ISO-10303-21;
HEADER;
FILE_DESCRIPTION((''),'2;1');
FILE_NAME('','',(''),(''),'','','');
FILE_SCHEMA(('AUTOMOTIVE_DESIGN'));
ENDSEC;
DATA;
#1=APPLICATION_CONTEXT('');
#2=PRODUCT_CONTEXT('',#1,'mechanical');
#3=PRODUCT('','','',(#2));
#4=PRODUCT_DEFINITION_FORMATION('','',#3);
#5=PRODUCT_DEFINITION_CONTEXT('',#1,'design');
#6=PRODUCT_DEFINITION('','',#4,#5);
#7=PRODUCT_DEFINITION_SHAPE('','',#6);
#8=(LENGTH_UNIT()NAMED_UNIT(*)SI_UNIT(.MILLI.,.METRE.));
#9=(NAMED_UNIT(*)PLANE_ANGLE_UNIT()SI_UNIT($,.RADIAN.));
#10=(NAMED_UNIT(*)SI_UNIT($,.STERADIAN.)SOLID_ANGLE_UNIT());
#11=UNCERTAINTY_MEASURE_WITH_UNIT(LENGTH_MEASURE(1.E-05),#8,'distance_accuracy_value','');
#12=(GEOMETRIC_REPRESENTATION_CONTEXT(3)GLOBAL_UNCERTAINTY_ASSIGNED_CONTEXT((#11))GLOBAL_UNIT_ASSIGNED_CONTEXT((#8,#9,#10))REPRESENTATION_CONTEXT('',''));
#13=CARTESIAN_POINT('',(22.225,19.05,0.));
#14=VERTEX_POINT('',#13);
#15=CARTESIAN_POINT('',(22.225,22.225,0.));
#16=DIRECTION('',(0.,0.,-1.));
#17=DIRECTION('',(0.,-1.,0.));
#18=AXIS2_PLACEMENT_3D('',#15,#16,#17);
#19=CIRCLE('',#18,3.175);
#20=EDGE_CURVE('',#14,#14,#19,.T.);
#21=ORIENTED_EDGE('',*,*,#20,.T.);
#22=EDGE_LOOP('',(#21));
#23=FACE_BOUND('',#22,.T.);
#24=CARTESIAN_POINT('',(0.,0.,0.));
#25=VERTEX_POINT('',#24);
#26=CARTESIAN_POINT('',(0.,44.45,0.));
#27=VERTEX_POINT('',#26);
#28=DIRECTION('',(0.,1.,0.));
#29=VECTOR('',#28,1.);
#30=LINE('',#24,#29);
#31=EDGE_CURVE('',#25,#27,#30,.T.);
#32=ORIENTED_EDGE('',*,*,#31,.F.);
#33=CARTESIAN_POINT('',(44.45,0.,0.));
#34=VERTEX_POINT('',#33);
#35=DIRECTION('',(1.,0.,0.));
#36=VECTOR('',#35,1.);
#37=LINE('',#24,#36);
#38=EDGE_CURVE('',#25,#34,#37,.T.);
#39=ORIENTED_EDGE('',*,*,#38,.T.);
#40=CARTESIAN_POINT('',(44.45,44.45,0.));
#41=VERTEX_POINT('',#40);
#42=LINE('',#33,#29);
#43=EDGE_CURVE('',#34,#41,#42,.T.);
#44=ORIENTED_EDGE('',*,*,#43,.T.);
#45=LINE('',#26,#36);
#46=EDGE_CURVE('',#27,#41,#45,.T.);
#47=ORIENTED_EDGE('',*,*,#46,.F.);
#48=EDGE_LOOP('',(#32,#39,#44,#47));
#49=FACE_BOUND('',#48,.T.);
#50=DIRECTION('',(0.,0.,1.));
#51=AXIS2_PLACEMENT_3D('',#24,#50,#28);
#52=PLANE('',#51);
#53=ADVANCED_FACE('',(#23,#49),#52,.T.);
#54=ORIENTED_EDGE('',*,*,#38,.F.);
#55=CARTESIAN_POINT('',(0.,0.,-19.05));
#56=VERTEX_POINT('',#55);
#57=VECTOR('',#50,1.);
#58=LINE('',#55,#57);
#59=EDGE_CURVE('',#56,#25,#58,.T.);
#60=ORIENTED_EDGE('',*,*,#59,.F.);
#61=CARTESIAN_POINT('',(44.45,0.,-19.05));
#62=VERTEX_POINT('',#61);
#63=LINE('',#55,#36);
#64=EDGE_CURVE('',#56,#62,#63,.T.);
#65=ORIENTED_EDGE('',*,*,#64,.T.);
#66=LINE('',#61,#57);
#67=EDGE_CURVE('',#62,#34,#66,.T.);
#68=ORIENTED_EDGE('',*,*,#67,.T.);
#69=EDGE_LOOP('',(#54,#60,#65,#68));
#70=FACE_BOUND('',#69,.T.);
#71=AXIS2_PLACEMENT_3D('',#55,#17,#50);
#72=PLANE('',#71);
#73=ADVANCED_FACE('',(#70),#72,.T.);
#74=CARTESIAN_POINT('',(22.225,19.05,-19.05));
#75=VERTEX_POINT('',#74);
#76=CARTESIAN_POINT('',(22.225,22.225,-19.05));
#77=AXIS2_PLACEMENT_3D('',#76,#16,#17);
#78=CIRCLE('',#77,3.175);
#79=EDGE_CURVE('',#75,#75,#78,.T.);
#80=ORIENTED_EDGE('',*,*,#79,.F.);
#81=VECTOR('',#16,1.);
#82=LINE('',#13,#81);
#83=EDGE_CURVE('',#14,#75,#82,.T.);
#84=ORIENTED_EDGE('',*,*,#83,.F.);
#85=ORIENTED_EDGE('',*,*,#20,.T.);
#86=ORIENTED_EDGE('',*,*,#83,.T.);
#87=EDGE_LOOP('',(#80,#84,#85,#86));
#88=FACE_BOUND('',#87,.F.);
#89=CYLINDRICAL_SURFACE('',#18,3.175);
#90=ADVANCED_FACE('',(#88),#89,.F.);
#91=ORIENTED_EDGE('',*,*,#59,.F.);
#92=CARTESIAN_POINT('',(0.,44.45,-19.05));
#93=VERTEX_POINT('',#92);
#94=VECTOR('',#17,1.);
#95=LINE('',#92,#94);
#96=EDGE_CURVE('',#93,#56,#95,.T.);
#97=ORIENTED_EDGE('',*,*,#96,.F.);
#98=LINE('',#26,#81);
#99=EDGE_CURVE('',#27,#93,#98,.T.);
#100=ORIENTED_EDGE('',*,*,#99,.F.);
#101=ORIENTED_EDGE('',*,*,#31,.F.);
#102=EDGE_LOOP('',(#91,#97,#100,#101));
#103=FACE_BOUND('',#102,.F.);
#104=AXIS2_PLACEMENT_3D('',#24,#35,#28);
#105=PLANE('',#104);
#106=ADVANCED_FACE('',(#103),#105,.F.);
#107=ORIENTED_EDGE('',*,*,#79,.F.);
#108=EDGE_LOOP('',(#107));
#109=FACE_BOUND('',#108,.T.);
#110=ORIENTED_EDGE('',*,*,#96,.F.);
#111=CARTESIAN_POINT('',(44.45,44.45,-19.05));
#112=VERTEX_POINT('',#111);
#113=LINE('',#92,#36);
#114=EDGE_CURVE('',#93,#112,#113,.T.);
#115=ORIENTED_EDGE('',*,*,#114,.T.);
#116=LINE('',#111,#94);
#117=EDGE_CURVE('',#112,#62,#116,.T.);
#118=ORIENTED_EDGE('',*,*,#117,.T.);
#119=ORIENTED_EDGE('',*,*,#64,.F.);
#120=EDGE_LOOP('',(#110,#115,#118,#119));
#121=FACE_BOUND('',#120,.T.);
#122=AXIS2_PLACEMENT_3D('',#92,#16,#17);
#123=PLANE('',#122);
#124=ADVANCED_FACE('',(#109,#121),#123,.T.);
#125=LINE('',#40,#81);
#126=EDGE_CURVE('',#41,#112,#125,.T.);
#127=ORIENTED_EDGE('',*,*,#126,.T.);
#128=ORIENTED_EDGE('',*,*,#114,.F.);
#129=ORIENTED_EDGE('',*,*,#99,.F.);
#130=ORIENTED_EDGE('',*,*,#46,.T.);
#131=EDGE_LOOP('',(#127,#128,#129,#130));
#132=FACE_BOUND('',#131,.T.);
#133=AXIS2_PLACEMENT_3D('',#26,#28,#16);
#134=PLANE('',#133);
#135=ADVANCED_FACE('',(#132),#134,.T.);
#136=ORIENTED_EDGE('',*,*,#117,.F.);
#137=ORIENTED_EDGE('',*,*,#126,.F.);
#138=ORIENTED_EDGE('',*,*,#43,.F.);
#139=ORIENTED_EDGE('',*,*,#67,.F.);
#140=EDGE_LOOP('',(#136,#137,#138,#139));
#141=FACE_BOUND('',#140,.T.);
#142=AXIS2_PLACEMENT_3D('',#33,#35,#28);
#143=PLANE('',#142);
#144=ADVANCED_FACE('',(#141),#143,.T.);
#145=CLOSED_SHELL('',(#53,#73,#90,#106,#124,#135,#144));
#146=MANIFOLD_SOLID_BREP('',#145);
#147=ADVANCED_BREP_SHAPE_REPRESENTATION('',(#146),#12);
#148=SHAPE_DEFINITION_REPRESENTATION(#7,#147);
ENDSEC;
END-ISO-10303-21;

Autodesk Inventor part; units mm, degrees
ref_plane "YZ Plane" through (0, 0, 0) normal (1, 0, 0) x (0, 1, 0)
ref_plane "XZ Plane" through (0, 0, 0) normal (0, 1, 0) x (-1, 0, 0)
ref_plane "XY Plane" through (0, 0, 0) normal (0, 0, 1) x (1, 0, 0)
sketch "Sketch1" plane through (0, 0, 0) normal (1, 0, 0) x (0, 1, 0)
  line L0 (0, 0) -> (44.45, 0)
  line L1 (44.45, 0) -> (44.45, -19.05)
  line L2 (44.45, -19.05) -> (0, -19.05)
  line L3 (0, -19.05) -> (0, 0)
  dimension "d0" = 44.45
  dimension "d1" = 19.05
extrude "Extrusion1" add sketch "Sketch1" along normal blind 44.45
sketch "Sketch2" plane through (0, 0, 0) normal (0, 0, 1) x (1, 0, 0)
  line L0 (0, 0) -> (0, 44.45) projected
  line L1 (0, 0) -> (44.45, 0) projected
  line L2 (44.45, 44.45) -> (44.45, 0) projected
  line L3 (0, 44.45) -> (44.45, 44.45) projected
  point P0 (22.225, 22.225)
  dimension "d4" = 22.225
  dimension "d5" = 22.225
hole "Hole1" at (22.225, 22.225, 0) direction (0, 0, -1) diameter 6.35 end through all
properties part number "tension_block"
